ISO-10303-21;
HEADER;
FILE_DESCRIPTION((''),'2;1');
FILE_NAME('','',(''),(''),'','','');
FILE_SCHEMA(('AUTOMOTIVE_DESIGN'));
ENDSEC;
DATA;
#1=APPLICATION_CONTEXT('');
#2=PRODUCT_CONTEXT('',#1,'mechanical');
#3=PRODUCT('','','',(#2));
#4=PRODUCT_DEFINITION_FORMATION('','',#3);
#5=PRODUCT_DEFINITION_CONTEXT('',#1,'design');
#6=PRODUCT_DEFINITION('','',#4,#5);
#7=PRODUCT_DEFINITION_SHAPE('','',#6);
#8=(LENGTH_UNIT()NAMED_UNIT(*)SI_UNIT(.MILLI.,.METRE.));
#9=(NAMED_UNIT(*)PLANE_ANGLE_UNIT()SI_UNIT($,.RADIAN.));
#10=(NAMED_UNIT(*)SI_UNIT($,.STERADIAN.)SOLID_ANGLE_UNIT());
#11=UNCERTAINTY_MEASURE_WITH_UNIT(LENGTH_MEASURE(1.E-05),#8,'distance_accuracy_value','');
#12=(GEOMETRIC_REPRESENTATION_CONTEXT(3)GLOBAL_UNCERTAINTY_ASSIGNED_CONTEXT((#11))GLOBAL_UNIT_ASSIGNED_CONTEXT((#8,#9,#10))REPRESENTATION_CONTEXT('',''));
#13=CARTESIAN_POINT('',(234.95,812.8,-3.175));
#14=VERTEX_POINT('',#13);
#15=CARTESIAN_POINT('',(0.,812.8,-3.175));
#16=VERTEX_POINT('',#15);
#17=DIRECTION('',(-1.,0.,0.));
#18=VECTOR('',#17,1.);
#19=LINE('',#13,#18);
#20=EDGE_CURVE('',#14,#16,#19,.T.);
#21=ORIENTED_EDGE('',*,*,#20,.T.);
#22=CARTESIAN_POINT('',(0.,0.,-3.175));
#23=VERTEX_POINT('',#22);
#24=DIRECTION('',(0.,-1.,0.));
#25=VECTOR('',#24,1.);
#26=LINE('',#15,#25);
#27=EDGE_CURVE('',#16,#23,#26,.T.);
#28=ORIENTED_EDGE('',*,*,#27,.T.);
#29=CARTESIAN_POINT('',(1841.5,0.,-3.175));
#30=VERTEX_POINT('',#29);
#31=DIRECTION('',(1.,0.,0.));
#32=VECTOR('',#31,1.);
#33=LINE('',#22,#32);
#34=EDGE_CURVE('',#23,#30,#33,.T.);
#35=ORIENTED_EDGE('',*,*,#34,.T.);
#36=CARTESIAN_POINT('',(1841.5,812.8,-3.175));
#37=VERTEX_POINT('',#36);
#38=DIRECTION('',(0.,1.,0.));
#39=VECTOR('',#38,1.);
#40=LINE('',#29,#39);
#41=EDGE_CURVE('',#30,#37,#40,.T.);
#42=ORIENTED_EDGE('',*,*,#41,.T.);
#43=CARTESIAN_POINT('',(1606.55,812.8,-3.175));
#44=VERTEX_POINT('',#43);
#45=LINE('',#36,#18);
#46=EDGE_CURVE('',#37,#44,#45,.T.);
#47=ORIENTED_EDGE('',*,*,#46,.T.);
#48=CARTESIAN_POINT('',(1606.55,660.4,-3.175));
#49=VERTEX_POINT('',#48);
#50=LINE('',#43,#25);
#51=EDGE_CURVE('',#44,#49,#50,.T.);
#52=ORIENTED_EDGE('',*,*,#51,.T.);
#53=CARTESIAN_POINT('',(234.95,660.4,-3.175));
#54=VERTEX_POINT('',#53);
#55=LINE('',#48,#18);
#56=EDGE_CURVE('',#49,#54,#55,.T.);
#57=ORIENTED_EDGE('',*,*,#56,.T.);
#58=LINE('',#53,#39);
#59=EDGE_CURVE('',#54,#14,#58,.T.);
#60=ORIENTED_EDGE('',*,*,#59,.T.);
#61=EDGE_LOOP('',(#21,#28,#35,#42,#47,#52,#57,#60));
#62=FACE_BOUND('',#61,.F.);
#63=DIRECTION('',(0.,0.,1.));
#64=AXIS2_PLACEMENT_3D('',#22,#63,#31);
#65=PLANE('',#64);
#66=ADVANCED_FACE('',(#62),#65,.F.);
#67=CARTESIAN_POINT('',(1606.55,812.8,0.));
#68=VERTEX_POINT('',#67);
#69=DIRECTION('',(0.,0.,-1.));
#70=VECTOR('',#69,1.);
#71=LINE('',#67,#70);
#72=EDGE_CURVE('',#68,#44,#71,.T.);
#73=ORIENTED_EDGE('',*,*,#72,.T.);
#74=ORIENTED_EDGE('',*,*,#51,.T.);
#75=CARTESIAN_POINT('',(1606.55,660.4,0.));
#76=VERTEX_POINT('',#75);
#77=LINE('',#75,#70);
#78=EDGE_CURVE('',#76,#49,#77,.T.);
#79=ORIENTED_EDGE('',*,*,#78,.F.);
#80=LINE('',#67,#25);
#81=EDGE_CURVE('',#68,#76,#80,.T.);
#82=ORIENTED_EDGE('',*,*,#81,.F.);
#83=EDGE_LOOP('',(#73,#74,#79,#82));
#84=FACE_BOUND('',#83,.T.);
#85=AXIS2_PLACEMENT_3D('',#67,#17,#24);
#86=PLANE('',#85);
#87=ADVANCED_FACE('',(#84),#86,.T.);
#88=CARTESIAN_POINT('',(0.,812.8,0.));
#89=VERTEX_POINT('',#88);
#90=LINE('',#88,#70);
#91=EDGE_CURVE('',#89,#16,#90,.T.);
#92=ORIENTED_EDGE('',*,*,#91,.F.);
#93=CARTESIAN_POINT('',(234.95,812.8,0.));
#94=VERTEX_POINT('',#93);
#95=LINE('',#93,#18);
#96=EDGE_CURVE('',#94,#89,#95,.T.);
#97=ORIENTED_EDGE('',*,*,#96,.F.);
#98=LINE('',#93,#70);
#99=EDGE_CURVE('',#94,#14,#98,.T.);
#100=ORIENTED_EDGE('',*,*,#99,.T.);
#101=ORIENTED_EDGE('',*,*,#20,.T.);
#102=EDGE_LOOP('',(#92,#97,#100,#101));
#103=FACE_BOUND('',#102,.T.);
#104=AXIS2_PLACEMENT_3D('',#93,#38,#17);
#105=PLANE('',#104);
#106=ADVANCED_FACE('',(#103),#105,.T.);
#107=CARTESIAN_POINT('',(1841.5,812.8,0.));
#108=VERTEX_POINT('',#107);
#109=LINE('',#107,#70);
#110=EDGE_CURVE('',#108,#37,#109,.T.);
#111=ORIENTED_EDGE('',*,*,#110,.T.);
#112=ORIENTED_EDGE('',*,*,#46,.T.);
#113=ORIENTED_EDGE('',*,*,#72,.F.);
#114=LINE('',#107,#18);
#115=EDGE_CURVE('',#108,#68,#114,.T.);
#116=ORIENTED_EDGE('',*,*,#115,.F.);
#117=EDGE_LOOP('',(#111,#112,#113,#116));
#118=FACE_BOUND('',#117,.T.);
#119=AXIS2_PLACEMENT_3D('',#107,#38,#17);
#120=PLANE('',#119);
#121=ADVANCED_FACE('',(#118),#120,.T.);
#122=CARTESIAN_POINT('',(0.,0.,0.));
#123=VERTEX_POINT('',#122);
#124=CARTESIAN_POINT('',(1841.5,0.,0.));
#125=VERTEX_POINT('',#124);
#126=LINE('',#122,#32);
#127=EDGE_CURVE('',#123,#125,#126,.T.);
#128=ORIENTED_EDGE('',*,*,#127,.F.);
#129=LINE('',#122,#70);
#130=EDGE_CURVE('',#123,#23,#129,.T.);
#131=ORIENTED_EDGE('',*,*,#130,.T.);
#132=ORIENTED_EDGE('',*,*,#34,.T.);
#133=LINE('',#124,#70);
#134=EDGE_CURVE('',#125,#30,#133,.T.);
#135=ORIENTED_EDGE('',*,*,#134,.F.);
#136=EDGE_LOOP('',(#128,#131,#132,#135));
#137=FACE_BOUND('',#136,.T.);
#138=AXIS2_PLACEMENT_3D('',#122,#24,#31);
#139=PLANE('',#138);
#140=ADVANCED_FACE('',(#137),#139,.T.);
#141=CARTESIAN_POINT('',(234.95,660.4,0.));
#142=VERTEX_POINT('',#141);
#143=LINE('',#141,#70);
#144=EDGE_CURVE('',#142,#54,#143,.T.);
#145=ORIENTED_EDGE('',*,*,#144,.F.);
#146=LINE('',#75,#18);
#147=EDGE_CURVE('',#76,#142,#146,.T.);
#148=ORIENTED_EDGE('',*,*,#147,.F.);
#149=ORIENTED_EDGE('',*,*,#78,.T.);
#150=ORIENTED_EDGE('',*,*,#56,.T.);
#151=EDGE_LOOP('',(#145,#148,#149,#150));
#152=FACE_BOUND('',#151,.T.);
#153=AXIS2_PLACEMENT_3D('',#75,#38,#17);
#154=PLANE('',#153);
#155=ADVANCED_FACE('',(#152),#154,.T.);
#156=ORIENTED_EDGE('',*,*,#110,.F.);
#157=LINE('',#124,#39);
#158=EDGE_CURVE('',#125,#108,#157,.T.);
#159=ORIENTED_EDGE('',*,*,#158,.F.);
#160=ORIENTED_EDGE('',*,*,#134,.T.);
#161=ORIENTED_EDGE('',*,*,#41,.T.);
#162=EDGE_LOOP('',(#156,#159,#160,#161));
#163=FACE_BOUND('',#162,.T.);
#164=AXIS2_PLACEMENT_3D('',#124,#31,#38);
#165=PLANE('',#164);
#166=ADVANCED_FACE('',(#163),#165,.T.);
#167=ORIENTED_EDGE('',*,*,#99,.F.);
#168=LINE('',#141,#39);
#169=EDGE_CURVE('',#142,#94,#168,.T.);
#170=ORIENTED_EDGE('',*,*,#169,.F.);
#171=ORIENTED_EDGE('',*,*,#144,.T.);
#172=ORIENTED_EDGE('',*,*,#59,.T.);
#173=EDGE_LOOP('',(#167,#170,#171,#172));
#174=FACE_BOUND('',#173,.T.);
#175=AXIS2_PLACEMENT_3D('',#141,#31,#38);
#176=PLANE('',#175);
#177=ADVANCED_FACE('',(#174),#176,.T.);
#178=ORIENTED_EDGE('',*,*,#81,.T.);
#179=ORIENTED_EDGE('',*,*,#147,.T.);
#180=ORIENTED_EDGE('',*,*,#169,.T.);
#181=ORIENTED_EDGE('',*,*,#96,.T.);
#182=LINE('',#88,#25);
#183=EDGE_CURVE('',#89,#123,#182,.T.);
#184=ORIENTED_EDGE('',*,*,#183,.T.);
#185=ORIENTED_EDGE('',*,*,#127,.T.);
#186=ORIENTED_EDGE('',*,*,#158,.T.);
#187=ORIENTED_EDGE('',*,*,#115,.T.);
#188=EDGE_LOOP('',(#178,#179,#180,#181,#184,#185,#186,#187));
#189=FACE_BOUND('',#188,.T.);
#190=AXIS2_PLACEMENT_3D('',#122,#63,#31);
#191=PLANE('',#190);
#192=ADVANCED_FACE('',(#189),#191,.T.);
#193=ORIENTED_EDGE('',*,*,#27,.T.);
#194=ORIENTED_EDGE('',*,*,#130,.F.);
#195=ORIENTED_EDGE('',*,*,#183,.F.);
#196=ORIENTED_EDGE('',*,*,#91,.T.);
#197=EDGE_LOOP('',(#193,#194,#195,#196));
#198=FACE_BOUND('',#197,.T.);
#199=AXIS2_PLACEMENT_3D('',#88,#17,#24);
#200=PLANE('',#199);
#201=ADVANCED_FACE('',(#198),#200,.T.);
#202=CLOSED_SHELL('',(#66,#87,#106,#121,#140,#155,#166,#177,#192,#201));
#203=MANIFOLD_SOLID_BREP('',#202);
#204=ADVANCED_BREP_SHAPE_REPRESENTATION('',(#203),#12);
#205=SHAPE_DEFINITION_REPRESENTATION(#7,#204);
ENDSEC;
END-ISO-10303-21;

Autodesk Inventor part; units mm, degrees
ref_plane "YZ Plane" through (0, 0, 0) normal (1, 0, 0) x (0, 1, 0)
ref_plane "XZ Plane" through (0, 0, 0) normal (0, 1, 0) x (-1, 0, 0)
ref_plane "XY Plane" through (0, 0, 0) normal (0, 0, 1) x (1, 0, 0)
sketch "Sketch1" plane through (0, 0, 0) normal (0, 0, 1) x (1, 0, 0)
  line L0 (0, 0) -> (1841.5, 0)
  line L1 (1841.5, 0) -> (1841.5, 812.8)
  line L2 (1841.5, 812.8) -> (1606.55, 812.8)
  line L3 (1606.55, 812.8) -> (1606.55, 660.4)
  line L4 (1606.55, 660.4) -> (234.95, 660.4)
  line L5 (234.95, 660.4) -> (234.95, 812.8)
  line L6 (234.95, 812.8) -> (0, 812.8)
  line L7 (0, 812.8) -> (0, 0)
  dimension "d0" = 1841.5
  dimension "d1" = 812.8
  dimension "d2" = 234.95
  dimension "d3" = 152.4
  dimension "d4" = 234.95
  dimension "d5" = 152.4
extrude "Extrusion1" add sketch "Sketch1" against normal blind 3.175
equation "\"d4\" = d2"
equation "\"d5\" = d3"
properties part number "GE-13013B" material "Polycarbonate, Clear"
